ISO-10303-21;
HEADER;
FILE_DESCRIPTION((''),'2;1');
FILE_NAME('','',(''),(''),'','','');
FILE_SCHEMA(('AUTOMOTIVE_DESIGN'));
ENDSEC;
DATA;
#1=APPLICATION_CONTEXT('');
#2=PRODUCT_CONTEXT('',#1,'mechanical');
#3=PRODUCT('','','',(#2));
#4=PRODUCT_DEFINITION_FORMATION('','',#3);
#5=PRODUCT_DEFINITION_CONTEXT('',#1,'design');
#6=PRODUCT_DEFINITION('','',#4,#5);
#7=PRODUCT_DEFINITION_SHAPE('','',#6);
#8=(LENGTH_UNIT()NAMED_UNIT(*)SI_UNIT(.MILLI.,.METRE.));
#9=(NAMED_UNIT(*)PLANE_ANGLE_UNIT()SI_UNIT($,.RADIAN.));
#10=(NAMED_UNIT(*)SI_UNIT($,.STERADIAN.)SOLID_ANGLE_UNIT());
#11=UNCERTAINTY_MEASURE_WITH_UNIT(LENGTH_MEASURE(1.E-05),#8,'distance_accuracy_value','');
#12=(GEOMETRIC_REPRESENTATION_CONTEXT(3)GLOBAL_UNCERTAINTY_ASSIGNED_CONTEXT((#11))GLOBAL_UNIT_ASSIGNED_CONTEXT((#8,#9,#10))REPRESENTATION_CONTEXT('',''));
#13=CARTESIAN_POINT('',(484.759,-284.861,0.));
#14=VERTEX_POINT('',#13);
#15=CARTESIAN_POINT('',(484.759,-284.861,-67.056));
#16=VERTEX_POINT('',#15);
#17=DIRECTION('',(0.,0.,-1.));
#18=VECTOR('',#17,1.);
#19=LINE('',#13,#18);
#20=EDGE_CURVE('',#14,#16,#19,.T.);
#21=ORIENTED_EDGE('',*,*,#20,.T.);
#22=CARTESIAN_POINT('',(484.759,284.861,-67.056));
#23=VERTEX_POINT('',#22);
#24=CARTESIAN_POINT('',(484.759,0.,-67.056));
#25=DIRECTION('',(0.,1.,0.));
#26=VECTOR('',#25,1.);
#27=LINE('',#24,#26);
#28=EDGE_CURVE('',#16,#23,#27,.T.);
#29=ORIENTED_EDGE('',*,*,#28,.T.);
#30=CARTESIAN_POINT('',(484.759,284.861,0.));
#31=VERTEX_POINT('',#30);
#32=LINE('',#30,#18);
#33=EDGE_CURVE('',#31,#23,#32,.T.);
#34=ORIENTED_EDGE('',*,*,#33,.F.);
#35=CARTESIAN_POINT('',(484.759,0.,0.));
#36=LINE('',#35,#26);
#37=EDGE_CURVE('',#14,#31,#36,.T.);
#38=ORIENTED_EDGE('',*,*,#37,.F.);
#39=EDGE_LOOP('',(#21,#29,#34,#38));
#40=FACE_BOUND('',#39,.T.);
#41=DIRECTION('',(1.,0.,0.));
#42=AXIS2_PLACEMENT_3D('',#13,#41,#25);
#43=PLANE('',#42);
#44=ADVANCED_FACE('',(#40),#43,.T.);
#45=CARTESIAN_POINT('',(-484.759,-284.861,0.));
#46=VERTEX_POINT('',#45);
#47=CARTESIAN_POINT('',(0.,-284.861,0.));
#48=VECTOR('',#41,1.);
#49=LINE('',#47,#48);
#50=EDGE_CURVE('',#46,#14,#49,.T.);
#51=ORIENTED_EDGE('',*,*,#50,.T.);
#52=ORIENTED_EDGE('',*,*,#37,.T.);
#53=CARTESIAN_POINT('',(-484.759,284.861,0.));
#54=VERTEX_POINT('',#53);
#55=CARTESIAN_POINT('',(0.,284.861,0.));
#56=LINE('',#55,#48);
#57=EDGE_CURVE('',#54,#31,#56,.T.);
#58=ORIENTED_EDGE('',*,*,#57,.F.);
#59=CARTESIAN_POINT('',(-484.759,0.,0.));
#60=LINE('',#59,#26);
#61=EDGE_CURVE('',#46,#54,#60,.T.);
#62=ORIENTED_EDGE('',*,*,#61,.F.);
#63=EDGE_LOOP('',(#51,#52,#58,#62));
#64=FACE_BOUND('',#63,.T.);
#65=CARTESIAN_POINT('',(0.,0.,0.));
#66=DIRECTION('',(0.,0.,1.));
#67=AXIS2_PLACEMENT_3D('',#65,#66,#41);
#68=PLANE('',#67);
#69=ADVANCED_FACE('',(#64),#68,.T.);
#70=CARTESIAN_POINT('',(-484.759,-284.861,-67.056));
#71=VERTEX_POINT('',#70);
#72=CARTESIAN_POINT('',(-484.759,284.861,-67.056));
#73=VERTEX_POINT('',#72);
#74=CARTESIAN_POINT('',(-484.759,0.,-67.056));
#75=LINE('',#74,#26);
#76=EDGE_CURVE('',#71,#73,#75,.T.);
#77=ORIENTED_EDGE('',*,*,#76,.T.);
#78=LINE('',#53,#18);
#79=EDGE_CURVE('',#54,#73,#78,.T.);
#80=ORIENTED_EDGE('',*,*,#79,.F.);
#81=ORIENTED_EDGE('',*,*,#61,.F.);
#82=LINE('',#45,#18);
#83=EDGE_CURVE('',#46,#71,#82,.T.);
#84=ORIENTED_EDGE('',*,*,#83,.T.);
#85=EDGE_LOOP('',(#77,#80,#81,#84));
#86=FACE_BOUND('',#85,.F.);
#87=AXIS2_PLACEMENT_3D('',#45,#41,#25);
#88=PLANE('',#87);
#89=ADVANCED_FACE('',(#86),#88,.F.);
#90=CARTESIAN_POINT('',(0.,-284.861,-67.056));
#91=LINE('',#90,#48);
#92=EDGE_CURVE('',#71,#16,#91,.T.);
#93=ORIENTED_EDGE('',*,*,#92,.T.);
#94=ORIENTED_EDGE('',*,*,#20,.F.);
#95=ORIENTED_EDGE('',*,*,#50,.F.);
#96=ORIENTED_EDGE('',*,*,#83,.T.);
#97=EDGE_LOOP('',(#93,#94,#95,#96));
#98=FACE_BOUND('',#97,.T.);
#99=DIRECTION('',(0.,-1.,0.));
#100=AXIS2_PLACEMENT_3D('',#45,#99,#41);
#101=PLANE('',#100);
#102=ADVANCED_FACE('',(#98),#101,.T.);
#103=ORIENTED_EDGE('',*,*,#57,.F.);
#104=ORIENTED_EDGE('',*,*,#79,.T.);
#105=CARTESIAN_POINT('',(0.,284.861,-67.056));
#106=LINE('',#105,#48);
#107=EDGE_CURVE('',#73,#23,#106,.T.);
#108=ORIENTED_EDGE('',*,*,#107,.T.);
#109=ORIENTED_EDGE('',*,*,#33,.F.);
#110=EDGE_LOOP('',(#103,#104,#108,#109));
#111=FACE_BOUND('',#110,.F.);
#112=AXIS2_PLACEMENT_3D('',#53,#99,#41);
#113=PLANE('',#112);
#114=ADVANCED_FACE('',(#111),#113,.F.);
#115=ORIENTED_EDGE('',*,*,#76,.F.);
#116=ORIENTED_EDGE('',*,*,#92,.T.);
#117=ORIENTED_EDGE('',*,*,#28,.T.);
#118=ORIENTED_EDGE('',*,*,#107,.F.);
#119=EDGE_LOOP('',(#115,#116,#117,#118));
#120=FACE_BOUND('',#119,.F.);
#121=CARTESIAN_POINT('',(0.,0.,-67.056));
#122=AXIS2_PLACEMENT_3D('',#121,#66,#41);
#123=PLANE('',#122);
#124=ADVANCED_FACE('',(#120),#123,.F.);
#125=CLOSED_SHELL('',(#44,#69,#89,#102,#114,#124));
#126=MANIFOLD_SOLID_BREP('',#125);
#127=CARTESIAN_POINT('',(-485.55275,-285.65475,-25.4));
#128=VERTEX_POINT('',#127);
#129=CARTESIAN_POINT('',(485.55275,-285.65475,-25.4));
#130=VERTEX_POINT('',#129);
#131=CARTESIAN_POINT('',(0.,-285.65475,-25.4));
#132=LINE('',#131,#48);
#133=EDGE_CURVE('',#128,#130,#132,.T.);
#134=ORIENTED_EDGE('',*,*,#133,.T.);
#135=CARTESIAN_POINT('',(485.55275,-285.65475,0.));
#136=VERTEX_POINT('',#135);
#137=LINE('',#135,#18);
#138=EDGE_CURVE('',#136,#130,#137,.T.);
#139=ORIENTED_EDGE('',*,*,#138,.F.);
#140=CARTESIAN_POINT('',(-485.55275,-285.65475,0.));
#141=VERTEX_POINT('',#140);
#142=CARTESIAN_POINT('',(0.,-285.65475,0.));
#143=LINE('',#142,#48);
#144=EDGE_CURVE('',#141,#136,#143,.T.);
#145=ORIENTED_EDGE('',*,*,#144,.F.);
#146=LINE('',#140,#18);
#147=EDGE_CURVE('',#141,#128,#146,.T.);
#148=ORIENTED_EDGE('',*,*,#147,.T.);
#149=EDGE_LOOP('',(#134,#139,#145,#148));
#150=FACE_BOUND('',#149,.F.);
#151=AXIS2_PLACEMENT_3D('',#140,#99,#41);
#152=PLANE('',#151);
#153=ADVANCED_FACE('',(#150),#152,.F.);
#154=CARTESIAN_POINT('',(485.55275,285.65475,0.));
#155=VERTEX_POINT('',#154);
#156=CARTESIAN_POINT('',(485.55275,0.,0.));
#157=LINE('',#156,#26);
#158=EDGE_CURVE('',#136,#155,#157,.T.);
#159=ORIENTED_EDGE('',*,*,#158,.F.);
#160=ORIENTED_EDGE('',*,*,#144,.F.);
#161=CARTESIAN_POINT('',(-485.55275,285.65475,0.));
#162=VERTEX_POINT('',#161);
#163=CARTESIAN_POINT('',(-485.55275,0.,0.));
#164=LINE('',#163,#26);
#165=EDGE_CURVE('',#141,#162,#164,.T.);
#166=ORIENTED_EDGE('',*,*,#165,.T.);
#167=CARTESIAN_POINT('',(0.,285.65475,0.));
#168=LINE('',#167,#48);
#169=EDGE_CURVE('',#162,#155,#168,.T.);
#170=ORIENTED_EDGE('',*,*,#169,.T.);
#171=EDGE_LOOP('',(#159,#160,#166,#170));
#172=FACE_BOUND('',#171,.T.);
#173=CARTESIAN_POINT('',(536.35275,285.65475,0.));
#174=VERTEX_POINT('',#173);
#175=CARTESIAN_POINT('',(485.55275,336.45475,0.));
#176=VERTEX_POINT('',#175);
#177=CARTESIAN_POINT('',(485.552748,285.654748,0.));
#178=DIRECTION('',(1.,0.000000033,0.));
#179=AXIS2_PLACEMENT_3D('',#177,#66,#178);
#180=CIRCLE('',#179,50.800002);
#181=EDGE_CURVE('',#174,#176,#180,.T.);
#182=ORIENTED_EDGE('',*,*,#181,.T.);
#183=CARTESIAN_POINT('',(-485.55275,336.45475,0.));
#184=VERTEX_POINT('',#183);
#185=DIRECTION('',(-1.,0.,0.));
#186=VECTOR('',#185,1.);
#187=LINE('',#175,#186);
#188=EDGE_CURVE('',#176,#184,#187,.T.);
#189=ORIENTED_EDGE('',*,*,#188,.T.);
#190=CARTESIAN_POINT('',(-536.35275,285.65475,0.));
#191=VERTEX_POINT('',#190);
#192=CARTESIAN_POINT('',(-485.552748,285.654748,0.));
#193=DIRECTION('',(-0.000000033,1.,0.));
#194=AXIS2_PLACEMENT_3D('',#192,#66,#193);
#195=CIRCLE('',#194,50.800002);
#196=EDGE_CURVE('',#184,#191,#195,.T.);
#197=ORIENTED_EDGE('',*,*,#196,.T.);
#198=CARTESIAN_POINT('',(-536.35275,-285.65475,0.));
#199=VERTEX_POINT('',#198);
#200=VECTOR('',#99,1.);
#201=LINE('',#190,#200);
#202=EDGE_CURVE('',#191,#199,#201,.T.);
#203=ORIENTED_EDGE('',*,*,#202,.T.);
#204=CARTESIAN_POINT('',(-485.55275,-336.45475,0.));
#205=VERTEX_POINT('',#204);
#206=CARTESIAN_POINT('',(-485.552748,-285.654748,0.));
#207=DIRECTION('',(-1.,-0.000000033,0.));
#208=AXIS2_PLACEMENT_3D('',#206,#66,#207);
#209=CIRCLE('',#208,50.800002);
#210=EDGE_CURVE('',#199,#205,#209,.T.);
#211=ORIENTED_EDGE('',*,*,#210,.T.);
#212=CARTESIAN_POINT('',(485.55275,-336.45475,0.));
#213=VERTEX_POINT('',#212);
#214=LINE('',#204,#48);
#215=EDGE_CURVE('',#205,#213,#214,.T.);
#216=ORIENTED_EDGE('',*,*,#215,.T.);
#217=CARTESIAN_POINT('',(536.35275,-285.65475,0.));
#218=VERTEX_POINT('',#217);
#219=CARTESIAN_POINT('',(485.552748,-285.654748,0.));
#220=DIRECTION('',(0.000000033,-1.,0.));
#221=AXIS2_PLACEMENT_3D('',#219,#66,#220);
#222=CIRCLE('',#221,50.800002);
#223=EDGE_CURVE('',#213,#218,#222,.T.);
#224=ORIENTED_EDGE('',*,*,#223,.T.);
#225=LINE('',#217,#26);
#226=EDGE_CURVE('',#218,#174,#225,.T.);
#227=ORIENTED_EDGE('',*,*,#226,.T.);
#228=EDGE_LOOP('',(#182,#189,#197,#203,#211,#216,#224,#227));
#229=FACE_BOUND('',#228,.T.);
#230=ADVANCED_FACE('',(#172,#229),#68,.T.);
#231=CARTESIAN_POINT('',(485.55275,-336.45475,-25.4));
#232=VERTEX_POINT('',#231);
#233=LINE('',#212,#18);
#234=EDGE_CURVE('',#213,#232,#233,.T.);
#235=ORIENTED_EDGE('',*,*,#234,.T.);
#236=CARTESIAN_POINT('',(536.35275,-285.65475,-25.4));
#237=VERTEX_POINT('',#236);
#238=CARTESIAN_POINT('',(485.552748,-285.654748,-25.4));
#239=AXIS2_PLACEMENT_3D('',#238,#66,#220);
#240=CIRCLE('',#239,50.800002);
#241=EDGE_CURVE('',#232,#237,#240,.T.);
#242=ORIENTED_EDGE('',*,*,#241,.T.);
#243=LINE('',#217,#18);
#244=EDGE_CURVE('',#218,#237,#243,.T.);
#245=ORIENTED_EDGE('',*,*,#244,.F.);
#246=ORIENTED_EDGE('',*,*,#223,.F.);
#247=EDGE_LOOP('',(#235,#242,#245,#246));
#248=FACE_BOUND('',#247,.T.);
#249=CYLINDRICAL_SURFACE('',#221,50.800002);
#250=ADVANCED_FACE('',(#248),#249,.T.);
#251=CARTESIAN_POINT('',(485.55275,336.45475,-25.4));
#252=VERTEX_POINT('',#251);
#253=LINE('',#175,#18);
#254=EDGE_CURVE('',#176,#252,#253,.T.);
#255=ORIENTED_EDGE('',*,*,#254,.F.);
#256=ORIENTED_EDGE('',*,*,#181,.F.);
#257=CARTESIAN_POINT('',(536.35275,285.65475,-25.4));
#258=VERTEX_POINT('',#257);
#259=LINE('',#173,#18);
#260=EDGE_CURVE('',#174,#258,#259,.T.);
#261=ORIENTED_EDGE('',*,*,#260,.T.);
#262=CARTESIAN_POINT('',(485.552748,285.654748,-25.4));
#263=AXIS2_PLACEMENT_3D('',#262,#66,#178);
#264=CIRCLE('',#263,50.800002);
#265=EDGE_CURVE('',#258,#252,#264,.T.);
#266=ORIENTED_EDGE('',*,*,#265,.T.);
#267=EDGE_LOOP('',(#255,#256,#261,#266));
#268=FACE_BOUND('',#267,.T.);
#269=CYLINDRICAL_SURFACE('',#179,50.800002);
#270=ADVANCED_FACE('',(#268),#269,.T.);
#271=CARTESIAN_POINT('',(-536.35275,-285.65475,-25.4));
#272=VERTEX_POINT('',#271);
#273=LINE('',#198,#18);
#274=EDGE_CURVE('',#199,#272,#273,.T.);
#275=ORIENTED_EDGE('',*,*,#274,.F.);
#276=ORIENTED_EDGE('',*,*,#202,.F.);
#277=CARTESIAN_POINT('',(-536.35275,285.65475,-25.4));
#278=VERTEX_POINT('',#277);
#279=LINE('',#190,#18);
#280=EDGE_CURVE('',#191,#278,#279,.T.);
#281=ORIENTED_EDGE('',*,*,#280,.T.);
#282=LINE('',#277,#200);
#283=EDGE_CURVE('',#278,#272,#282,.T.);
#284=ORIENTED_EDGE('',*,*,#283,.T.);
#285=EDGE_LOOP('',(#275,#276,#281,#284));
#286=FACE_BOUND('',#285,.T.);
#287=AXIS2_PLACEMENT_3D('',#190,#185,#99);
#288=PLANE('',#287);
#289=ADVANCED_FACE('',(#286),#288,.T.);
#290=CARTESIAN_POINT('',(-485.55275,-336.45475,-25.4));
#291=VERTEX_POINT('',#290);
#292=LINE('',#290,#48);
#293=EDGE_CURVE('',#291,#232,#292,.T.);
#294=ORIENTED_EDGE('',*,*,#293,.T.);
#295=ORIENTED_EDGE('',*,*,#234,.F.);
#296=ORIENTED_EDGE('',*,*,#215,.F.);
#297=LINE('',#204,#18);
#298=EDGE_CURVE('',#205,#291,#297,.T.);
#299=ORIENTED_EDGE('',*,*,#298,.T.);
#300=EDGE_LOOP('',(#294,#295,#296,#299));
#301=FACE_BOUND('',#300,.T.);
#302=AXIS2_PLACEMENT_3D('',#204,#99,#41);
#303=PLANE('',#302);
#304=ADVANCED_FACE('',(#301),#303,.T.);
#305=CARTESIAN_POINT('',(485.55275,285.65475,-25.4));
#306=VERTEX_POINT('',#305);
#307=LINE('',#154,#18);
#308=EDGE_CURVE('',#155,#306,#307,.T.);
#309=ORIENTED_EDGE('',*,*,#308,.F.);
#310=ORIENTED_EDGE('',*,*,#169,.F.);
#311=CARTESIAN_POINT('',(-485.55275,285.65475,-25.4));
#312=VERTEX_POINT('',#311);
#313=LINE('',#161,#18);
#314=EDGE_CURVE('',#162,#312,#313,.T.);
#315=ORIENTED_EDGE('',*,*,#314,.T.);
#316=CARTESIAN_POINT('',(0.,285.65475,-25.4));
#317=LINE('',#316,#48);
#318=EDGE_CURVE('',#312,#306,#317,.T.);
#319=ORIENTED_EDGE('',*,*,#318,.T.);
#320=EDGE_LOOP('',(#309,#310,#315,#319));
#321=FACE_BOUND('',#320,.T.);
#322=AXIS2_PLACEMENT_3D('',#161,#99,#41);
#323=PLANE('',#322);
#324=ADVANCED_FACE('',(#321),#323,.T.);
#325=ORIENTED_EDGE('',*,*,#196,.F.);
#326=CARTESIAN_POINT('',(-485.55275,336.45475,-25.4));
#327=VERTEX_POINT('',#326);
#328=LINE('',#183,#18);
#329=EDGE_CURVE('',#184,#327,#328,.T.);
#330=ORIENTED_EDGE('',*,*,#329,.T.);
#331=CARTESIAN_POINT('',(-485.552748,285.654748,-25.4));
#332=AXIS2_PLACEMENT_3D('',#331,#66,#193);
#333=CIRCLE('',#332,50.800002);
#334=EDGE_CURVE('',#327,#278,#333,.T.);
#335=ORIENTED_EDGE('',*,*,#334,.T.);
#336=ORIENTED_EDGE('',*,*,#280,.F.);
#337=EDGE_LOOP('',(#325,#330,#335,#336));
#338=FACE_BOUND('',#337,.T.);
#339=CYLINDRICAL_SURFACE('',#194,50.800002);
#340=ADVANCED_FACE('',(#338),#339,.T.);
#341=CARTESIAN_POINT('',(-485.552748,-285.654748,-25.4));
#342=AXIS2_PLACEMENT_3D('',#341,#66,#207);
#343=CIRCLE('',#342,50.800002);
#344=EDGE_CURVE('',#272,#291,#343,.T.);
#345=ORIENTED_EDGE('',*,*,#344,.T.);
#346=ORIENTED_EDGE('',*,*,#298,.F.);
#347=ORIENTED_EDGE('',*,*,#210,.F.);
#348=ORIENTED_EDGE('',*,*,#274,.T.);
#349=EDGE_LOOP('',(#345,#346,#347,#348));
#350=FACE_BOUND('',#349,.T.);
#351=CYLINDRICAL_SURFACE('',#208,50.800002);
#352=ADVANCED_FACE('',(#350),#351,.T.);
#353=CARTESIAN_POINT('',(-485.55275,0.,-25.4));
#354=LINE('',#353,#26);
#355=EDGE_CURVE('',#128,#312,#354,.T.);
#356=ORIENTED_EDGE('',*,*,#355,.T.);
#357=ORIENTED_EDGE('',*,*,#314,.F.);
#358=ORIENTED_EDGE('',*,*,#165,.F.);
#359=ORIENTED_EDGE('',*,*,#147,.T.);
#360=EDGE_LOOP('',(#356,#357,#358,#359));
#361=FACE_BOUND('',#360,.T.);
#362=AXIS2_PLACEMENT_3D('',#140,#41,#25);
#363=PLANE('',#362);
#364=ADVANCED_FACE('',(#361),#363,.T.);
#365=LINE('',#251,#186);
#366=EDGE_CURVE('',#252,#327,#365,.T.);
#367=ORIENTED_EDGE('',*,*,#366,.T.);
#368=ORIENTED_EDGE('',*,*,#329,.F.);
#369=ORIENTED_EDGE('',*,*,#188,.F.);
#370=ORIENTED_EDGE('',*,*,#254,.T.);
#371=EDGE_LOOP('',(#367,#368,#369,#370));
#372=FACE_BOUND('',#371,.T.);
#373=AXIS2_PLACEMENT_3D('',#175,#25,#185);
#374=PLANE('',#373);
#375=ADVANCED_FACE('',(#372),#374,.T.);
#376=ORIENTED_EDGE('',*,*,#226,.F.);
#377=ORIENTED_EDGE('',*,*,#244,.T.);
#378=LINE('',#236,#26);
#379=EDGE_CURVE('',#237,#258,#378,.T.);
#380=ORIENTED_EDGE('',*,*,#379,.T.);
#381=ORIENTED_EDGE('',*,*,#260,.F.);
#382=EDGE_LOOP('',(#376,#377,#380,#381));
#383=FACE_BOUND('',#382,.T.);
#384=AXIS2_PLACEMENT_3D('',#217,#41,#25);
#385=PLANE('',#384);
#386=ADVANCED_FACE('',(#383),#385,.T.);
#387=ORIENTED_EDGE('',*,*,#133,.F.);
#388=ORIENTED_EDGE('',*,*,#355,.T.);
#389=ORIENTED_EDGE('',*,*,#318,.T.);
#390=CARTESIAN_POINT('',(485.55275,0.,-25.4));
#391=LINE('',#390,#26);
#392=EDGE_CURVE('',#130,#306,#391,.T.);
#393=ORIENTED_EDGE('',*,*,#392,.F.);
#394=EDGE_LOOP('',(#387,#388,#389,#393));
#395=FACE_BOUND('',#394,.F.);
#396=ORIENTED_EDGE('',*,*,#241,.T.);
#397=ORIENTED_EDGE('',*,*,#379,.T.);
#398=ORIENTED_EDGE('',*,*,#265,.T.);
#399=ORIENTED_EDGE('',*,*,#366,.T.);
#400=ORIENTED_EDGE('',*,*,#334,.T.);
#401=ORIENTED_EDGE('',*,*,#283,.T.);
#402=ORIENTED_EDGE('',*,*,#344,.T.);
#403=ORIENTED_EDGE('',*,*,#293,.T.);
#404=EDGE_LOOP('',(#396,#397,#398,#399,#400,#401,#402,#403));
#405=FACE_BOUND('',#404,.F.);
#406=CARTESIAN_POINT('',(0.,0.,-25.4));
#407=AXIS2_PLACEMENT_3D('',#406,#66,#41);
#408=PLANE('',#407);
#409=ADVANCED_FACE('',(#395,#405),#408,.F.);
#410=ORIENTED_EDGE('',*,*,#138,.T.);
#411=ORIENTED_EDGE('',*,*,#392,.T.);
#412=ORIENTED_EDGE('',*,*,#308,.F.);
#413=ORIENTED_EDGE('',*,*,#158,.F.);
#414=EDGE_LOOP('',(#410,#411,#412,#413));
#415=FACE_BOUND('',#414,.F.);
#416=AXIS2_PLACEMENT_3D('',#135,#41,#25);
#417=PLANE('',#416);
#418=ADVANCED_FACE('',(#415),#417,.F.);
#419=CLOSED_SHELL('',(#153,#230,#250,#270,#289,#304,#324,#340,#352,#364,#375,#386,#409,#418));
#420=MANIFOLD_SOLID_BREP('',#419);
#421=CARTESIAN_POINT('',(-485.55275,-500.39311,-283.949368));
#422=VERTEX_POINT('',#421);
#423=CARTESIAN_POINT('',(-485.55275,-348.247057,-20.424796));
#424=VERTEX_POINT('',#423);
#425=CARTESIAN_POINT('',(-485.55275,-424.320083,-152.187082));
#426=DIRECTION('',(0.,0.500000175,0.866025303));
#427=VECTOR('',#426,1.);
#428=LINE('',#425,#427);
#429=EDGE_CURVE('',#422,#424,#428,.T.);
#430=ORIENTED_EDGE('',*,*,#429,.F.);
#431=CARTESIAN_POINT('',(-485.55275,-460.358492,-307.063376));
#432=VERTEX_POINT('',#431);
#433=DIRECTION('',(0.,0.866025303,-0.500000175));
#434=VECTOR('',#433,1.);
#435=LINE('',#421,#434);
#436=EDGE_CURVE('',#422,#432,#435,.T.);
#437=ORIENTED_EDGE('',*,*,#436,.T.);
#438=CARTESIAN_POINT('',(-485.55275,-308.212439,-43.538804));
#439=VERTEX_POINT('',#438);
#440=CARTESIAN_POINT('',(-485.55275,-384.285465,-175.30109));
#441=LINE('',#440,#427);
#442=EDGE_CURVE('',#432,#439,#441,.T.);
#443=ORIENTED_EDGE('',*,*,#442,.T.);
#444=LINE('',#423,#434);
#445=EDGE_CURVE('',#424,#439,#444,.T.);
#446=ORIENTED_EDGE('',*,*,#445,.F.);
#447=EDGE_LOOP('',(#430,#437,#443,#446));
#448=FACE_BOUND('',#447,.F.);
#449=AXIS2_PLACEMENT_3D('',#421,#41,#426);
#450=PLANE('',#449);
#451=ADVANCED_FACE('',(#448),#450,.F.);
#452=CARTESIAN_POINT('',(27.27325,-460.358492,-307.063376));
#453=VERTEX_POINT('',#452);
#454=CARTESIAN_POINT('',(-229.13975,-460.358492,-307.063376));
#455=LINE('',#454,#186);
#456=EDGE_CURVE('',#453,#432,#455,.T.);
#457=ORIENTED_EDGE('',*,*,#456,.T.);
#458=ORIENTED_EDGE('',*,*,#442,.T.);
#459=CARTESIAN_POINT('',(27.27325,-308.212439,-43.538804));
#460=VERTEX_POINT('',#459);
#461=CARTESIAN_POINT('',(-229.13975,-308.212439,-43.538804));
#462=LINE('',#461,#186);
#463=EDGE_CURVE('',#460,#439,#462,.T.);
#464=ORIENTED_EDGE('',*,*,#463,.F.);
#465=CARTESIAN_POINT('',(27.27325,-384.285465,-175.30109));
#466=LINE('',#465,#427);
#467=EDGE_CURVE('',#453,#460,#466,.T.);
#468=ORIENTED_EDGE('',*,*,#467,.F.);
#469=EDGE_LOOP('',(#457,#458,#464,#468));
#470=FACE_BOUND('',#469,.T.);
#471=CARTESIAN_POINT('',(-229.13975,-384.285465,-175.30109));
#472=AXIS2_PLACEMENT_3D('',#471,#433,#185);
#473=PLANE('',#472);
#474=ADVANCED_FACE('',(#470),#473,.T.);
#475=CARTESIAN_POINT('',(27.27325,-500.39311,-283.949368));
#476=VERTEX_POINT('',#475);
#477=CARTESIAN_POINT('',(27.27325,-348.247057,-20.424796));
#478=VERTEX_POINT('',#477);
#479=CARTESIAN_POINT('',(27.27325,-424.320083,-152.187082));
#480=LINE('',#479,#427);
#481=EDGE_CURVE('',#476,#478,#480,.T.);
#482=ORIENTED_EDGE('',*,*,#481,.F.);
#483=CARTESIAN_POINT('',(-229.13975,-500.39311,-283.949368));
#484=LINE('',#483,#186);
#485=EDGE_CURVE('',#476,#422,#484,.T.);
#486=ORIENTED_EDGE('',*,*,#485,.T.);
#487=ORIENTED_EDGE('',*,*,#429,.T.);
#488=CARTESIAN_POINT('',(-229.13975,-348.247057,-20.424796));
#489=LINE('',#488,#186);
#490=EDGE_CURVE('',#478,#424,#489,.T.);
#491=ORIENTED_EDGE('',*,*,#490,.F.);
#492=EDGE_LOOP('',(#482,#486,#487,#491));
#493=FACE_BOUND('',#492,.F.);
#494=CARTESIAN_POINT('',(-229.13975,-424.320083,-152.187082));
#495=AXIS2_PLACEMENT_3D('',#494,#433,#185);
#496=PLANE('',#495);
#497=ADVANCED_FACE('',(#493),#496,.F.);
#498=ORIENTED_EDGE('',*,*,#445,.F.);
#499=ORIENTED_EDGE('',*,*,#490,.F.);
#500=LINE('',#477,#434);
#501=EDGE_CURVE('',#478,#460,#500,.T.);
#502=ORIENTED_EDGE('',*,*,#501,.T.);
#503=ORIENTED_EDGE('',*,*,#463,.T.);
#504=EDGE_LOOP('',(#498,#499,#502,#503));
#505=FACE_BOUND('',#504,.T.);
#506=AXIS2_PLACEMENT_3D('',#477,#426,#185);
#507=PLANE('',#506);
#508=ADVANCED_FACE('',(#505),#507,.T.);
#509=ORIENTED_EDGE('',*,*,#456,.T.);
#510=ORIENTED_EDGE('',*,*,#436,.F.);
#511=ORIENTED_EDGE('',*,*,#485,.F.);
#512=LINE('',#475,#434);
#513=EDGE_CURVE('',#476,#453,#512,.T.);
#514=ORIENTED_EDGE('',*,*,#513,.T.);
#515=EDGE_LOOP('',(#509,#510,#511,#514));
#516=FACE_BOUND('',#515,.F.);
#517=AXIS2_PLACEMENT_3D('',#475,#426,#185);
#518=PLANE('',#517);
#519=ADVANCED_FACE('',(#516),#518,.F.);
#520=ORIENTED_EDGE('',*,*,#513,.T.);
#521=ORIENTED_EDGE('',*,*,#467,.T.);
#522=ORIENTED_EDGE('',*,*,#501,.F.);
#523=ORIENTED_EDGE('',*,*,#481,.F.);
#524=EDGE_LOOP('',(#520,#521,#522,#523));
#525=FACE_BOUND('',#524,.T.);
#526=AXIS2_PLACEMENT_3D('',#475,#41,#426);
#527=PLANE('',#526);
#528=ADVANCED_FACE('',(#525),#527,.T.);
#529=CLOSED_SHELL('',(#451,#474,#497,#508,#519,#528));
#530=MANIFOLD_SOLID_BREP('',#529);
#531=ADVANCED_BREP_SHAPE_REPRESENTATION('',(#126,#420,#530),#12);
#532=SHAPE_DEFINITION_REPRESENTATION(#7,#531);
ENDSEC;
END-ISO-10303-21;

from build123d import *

# Parameters (mm, degrees)
F0_W     = 969.518
F0_H     = 569.722
F1_DEPTH = 67.056
F2_W     = 971.1055
F2_H     = 571.3095
F3_DEPTH = 25.4
F5_W     = 512.826
F5_H     = 304.292
F6_DEPTH = 46.228


with BuildPart() as f1:
    # F0 (on Top) → F1 (new body)
    with BuildSketch(Plane.XY):
        Rectangle(F0_W, F0_H)
    extrude(amount=-F1_DEPTH)


with BuildPart() as f3:
    # F2 (on Top) → F3 (new body)
    with BuildSketch(Plane.XY):
        with BuildLine():
            ThreePointArc((536.35275, 285.65475), (521.473774, 321.575774), (485.55275, 336.45475))
            Line((485.55275, 336.45475), (-485.55275, 336.45475))
            ThreePointArc((-485.55275, 336.45475), (-521.473774, 321.575774), (-536.35275, 285.65475))
            Line((-536.35275, 285.65475), (-536.35275, -285.65475))
            ThreePointArc((-536.35275, -285.65475), (-521.473774, -321.575774), (-485.55275, -336.45475))
            Line((-485.55275, -336.45475), (485.55275, -336.45475))
            ThreePointArc((485.55275, -336.45475), (521.473774, -321.575774), (536.35275, -285.65475))
            Line((536.35275, -285.65475), (536.35275, 285.65475))
        make_face()
        Rectangle(F2_W, F2_H, mode=Mode.SUBTRACT)
    extrude(amount=-F3_DEPTH)


with BuildPart() as f6:
    # F5 (on face) → F6 (new body)
    with BuildSketch(Plane(origin=(0, -252.341063, 145.68918), x_dir=(-1, 0, 0), z_dir=(0, 0.866025, -0.5))):
        with Locations((229.13975, -343.95792)):
            Rectangle(F5_W, F5_H)
    extrude(amount=F6_DEPTH)


solid = Compound([f1.part, f3.part, f6.part])
